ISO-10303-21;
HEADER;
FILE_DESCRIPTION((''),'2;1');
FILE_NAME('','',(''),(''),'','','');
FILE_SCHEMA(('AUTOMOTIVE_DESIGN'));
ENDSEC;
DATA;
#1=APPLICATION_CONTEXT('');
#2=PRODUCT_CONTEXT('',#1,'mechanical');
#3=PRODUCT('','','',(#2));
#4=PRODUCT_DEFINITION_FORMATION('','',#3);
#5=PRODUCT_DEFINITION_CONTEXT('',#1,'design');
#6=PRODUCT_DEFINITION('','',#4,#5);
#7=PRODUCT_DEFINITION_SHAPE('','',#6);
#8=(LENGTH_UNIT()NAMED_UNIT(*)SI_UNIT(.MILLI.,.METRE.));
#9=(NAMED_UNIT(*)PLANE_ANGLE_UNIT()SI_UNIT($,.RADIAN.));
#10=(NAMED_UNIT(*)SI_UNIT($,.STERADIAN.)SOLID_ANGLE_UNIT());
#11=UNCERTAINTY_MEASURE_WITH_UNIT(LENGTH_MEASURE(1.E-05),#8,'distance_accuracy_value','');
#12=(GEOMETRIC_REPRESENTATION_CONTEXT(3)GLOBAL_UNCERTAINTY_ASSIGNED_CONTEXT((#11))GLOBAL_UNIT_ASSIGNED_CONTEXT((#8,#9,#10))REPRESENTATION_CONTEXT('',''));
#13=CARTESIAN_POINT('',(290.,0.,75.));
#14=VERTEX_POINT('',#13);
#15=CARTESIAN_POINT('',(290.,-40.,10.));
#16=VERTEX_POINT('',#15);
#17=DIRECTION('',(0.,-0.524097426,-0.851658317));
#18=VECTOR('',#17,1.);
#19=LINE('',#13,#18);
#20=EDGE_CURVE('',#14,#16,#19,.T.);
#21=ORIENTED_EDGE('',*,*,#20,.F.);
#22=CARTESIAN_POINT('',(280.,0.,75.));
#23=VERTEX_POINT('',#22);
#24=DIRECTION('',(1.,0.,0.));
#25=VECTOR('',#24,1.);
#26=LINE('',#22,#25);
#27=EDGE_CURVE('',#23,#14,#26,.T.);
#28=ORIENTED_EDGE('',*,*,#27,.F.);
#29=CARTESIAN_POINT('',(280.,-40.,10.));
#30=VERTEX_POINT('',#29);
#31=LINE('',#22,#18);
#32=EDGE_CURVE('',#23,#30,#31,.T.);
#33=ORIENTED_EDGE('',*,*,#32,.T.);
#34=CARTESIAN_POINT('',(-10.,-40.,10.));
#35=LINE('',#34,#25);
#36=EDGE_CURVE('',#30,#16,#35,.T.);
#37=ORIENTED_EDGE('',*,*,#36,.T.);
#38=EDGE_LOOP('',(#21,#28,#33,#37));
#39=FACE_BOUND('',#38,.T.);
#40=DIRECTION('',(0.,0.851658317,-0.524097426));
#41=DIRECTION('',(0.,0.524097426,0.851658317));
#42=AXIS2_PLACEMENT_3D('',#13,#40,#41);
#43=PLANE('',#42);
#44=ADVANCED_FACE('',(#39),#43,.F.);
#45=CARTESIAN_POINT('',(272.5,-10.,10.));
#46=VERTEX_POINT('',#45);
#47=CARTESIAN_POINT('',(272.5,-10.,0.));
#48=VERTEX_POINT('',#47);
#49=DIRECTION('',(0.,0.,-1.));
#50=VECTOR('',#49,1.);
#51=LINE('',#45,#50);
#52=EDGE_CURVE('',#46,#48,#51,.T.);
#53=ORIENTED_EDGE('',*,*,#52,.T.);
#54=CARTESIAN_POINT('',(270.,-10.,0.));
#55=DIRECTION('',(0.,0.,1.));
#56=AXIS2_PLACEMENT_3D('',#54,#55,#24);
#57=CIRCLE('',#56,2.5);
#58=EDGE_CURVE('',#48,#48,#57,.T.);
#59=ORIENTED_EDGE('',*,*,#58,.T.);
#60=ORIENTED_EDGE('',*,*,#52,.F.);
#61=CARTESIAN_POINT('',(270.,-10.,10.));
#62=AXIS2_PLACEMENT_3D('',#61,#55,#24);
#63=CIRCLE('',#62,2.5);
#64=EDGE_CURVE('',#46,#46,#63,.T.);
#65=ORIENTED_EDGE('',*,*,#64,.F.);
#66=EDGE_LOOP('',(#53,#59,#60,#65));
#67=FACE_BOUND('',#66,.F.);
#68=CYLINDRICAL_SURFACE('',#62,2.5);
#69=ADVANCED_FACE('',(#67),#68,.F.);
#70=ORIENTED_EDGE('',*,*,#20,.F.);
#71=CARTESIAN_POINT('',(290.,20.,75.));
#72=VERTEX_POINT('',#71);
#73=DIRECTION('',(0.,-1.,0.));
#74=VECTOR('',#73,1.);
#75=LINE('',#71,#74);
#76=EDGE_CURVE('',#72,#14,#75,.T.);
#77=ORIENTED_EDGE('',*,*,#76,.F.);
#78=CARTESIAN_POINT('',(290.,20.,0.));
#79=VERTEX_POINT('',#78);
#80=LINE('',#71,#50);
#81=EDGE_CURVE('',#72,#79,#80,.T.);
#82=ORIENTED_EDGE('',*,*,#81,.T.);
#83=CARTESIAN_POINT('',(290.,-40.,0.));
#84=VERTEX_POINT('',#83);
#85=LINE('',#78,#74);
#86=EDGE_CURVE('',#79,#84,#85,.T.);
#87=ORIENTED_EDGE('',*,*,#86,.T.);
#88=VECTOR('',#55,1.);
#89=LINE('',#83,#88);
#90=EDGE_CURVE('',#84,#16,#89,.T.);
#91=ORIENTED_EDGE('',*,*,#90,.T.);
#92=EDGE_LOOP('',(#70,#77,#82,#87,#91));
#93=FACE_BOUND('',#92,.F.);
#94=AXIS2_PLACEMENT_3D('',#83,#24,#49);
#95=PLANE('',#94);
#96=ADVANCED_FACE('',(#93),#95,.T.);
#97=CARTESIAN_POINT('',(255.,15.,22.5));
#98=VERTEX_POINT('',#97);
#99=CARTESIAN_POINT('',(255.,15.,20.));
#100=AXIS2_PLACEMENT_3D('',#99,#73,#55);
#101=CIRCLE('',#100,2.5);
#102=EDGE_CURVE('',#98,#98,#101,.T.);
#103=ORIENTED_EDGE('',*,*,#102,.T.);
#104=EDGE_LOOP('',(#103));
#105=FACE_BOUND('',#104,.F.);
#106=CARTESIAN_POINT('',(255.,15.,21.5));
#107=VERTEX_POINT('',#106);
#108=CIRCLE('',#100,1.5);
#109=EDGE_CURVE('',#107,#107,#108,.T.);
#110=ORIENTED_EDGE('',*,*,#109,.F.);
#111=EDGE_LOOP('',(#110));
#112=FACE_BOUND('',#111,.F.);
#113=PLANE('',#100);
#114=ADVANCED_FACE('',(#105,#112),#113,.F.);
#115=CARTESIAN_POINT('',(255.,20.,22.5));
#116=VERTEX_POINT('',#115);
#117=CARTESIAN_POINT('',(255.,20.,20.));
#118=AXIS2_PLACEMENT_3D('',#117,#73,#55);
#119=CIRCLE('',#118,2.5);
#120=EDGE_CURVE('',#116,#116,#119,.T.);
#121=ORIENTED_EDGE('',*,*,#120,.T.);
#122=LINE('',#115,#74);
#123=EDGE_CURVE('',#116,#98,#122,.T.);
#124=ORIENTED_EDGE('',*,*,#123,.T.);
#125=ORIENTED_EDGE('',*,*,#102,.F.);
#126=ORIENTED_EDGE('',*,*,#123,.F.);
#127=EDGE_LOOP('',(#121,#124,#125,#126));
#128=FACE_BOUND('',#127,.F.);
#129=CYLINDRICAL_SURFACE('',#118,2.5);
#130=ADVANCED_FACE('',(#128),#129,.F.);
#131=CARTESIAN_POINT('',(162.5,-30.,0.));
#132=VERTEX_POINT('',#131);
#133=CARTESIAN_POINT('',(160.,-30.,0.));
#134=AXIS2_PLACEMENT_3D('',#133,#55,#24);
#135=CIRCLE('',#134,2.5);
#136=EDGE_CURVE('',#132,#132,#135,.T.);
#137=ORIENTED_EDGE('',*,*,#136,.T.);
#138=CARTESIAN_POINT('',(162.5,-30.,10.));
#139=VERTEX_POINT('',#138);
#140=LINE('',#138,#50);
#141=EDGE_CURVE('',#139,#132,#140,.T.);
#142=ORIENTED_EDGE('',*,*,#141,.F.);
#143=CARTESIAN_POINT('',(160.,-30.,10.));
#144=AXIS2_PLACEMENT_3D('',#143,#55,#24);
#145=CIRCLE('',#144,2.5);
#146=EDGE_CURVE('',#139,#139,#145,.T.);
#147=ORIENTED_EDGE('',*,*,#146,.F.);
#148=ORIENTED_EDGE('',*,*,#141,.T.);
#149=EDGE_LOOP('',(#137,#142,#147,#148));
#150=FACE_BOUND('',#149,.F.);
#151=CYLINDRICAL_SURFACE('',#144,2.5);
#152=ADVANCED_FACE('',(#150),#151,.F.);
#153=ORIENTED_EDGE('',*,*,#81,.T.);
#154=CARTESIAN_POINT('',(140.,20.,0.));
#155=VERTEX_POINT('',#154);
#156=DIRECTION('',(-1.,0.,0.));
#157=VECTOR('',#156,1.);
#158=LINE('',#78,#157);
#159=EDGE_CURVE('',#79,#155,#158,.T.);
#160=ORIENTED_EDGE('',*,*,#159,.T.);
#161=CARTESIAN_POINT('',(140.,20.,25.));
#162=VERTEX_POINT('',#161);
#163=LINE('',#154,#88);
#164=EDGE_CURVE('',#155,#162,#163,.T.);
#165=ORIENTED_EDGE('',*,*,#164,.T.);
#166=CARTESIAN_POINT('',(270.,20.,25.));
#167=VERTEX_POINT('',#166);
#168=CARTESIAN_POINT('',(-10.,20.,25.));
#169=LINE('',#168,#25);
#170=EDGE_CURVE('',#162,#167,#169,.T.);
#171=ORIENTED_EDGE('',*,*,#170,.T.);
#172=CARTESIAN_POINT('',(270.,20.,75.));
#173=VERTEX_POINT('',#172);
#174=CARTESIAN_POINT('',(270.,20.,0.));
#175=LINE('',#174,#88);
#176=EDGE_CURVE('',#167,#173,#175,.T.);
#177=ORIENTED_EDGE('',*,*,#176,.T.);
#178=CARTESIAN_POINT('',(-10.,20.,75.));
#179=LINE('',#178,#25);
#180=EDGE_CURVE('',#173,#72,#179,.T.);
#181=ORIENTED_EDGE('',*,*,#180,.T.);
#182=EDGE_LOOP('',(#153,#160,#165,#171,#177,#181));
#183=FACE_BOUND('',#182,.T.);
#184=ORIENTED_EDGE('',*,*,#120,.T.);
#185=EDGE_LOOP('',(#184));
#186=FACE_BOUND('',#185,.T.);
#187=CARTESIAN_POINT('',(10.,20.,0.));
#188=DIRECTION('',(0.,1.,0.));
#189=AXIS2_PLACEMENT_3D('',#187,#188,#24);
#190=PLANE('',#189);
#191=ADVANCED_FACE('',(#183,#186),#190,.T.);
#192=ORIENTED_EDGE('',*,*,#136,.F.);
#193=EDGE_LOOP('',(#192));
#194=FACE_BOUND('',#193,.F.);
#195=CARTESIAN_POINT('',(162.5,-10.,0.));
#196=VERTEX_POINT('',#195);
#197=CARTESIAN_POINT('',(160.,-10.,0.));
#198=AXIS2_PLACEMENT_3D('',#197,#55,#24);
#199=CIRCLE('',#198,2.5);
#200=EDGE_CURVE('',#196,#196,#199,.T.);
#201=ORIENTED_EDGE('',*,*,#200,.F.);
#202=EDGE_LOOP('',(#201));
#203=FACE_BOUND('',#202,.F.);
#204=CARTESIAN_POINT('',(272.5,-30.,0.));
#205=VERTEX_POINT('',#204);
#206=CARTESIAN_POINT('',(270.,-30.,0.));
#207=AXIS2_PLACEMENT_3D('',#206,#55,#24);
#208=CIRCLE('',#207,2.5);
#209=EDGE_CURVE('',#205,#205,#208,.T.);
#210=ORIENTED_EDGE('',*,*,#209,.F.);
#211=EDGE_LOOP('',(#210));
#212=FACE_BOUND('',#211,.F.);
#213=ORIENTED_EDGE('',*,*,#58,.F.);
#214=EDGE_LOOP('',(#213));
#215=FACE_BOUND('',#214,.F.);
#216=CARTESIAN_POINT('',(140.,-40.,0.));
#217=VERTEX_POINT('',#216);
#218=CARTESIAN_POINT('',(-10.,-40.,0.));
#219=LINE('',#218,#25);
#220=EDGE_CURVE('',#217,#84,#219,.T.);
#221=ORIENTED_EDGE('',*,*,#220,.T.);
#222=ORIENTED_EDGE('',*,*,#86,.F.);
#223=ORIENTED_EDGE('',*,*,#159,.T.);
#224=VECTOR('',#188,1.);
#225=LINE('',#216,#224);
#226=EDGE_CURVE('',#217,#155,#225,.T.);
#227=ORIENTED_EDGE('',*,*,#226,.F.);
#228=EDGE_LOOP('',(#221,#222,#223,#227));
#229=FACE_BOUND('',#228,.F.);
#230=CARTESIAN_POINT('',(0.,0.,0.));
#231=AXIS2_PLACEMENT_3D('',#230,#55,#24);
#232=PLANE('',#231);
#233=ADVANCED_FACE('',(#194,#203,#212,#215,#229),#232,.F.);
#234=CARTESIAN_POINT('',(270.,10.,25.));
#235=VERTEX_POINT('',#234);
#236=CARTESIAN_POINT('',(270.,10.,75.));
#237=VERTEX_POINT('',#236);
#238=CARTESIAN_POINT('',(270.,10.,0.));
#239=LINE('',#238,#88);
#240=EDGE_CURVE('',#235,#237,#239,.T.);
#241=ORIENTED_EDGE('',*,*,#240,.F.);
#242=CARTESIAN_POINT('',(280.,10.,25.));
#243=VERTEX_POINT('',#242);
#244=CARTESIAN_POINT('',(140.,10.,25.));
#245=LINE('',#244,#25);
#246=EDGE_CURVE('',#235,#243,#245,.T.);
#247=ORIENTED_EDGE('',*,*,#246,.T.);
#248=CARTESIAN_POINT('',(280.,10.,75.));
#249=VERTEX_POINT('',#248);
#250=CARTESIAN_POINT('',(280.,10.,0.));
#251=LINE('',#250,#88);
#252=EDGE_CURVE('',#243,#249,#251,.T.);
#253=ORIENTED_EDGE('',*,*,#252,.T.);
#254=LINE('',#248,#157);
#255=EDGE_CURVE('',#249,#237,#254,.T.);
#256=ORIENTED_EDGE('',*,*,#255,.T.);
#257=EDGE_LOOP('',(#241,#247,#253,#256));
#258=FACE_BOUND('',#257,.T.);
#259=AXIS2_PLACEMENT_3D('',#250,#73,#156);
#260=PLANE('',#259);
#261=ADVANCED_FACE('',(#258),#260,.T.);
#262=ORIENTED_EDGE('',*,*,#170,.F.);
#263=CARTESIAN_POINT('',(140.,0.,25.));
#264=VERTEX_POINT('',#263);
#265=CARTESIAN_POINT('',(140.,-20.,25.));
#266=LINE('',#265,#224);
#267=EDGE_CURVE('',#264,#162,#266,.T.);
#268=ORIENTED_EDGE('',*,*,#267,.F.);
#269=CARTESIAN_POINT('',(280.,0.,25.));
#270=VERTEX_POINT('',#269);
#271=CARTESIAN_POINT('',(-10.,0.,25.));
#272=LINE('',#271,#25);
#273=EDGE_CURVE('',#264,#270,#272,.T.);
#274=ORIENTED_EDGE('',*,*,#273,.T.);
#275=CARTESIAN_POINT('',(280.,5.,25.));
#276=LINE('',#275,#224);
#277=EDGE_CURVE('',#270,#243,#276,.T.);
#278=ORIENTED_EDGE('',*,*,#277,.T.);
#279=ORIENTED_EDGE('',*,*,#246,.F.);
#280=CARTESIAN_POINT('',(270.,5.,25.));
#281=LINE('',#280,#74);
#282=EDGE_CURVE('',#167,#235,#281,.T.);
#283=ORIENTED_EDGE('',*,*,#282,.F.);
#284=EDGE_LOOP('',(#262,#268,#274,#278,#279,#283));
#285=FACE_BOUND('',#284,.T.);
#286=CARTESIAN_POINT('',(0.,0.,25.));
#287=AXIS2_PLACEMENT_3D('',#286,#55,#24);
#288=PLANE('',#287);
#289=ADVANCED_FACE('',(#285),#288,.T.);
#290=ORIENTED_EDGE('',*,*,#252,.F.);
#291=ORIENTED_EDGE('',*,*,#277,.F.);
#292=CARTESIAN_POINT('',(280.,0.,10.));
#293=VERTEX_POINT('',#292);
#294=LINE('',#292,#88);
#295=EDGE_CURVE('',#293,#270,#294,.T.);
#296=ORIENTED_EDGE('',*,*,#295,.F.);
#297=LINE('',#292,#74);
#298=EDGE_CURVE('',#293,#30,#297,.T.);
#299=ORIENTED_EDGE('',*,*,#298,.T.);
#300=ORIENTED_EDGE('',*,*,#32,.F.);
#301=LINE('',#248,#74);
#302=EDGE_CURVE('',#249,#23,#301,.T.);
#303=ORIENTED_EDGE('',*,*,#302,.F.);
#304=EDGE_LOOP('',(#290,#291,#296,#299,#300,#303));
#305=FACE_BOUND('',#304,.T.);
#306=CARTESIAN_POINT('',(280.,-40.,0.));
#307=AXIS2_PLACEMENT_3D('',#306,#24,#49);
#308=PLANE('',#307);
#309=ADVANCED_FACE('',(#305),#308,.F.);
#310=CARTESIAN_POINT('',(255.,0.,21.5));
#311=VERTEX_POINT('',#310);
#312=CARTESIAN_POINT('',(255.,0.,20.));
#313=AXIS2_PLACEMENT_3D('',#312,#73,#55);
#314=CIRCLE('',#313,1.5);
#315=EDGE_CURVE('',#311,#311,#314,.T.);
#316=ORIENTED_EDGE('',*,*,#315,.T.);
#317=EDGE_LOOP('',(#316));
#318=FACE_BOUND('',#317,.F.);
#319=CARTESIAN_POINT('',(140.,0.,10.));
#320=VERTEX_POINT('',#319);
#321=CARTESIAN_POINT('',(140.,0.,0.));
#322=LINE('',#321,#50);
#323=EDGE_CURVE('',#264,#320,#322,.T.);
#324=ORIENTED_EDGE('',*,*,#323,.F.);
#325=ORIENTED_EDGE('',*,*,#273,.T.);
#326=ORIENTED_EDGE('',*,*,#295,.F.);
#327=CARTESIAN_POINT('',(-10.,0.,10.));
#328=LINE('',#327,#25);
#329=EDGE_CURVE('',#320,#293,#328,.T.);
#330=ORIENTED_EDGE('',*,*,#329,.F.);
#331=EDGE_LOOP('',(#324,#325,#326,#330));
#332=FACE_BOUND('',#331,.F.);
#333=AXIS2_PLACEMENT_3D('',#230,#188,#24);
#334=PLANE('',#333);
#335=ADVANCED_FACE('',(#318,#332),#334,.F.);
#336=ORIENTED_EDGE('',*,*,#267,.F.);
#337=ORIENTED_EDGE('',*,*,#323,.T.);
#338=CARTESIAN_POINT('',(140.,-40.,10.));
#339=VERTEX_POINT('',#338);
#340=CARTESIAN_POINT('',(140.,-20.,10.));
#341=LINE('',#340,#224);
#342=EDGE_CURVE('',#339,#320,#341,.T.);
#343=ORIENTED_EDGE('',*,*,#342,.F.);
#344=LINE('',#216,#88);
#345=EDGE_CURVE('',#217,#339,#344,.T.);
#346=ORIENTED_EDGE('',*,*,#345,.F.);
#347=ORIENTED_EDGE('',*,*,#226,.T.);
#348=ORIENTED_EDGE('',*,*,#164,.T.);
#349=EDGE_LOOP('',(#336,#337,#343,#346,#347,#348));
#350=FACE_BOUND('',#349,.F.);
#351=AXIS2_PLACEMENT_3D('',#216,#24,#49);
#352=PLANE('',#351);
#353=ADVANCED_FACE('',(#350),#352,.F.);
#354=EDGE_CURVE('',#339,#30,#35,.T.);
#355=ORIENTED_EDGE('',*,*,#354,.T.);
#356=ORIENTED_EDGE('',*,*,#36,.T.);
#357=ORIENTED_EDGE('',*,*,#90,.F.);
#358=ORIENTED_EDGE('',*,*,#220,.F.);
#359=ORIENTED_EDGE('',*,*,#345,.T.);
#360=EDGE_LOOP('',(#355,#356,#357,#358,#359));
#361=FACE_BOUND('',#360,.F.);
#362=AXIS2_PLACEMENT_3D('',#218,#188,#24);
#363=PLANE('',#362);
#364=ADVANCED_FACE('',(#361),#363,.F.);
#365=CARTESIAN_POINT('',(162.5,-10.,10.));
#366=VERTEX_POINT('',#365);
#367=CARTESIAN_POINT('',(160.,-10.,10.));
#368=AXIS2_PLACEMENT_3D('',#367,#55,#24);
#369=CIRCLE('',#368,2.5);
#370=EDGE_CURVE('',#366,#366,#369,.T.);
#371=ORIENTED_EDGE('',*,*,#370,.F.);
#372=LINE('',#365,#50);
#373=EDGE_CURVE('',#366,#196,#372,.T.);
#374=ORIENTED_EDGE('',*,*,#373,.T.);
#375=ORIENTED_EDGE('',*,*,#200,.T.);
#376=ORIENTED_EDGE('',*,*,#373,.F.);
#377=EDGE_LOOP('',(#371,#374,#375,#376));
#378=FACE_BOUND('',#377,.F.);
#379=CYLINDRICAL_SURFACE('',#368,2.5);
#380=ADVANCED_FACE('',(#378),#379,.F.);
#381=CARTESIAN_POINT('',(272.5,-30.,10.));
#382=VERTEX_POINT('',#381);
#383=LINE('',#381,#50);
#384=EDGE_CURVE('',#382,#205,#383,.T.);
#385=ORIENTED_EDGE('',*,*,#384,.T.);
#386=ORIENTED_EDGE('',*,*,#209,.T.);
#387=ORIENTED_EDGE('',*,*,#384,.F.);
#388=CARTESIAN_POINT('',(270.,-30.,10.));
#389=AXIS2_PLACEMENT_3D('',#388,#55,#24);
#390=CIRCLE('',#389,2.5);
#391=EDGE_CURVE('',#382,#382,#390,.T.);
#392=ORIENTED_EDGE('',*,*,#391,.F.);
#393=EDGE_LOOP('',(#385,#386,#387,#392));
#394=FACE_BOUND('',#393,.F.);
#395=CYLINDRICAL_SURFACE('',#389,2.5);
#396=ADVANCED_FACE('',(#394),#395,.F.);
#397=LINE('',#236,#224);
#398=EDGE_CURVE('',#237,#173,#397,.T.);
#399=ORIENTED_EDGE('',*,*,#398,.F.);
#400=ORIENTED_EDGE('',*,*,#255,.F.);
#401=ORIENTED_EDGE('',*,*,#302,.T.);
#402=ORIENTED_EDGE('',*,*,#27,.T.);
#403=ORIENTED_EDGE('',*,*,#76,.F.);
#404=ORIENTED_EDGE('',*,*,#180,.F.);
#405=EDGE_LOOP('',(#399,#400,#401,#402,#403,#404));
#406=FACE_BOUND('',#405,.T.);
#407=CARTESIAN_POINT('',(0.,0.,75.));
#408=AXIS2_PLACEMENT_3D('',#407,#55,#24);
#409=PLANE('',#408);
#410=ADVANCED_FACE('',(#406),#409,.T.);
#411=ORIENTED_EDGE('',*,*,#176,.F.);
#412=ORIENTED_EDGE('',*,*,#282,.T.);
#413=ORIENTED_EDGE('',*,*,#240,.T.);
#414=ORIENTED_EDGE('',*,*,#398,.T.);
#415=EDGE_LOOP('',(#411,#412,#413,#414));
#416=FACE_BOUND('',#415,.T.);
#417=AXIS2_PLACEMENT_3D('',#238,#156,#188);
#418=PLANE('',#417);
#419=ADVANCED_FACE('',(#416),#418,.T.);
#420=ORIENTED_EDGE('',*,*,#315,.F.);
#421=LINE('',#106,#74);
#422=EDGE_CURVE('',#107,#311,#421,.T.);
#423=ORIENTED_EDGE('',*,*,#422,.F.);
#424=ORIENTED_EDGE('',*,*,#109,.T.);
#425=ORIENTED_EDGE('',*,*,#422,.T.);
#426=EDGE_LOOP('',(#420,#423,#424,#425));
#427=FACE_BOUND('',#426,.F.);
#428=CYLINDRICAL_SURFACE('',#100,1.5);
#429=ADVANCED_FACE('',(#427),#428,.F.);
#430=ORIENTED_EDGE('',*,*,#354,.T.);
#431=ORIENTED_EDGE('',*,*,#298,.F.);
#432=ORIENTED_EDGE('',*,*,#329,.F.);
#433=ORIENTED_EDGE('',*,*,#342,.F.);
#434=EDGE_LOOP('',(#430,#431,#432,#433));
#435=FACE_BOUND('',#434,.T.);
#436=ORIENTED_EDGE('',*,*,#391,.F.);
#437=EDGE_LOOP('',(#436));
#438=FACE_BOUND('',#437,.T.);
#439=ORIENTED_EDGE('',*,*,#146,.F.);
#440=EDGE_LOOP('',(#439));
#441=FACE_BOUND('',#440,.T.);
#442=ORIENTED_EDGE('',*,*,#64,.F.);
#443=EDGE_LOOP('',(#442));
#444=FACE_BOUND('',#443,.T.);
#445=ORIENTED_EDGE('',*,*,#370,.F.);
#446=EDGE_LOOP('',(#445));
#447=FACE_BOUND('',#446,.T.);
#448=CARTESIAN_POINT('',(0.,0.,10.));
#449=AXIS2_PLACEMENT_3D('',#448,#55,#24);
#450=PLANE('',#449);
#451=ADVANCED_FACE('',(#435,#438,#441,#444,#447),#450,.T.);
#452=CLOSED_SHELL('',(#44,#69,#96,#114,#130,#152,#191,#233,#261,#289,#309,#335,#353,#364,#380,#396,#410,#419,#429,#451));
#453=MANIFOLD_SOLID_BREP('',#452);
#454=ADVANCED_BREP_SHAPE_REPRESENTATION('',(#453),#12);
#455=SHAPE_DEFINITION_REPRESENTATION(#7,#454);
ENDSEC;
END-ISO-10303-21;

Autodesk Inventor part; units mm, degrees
ref_plane "YZ Plane" through (0, 0, 0) normal (1, 0, 0) x (0, 1, 0)
sketch "스케치1" plane through (0, 0, 0) normal (0, 0, 1) x (1, 0, 0)
  line L0 (0, 10) -> (0, 0)
  line L1 (-10, 10) -> (-10, 20)
  line L2 (-10, 20) -> (290, 20)
  line L3 (290, 20) -> (290, 10)
  line L4 (0, 0) -> (280, 0)
  line L5 (290, 10) -> (290, -40)
  line L6 (-10, 10) -> (-10, -40)
  line L7 (-10, -40) -> (290, -40)
  line L8 (0, 10) -> (10, 10)
  line L9 (10, 10) -> (10, 20)
  line L10 (140, 20) -> (140, 10)
  line L11 (0, 0) -> (-10, 0)
  line L12 (280, 10) -> (280, 0)
  line L13 (280, 10) -> (270, 10)
  line L14 (270, 10) -> (270, 20)
  line L15 (280, 0) -> (290, 0)
  point P0 (140, 0)
  dimension "d2" = 10
  dimension "d5" = 10
  dimension "d6" = 300
  dimension "d9" = 60
  dimension "d12" = 10
  dimension "d13" = 10
extrude "돌출1" add sketch "스케치1" along normal blind 25 contours L8 L9 L2 L14 L13 L12 L4 L0 | L0 L11 L6 L1 L2 L9 L8 | L12 L13 L14 L2 L3 L5 L15
extrude "돌출2" add sketch "스케치1" along normal blind 10 contours L8 L9 L2 L14 L13 L12 L4 L0 | L4 L15 L5 L7 L6 L11
extrude "돌출3" add sketch "스케치1" along normal blind 75 contours L0 L11 L6 L1 L2 L9 L8 | L12 L13 L14 L2 L3 L5 L15
sketch "스케치2" plane through (-10, -40, 0) normal (-1, 0, 0) x (0, 0, 1)
  line L0 (0, 60) -> (0, 0) projected
  line L1 (0, 0) -> (10, 0) projected
  line L2 (10, 40) -> (10, 0) projected
  line L3 (10, 40) -> (75, 40) projected
  line L4 (75, 60) -> (75, 40) projected
  line L5 (0, 60) -> (75, 60) projected
  line L6 (75, 40) -> (10, 0)
  point P0 (0, 40)
extrude "돌출4" add sketch "스케치2" against normal up to surface (10 mm away) contours L2 L3 L6
ref_plane "작업 평면1" through (140, -40, 0) normal (1, 0, 0) x (0, 0, -1)
mirror "미러1" about plane through (140, -40, 0) normal (1, 0, 0) of "돌출4"
sketch "스케치3" plane through (0, 0, 10) normal (0, 0, 1) x (1, 0, 0)
  circle A0 centre (160, -10) radius 2.5
  circle A1 centre (270, -10) radius 2.5
  line L0 (270, 20) -> (10, 20) projected
  line L1 (290, -40) -> (290, 0) projected
  line L2 (-10, -40) -> (-10, 0) projected
  circle A2 centre (160, -30) radius 2.5
  circle A3 centre (270, -30) radius 2.5
  line L3 (140, 20) -> (140, -10)
  point P0 (0, 0)
  dimension "d18" = 30
  dimension "d19" = 5
  dimension "d20" = 20
  dimension "d24" = 5
  dimension "d25" = 20
  dimension "d38" = 20
extrude "돌출5" cut sketch "스케치3" against normal through all
sketch "스케치4" plane through (-10, 20, 0) normal (0, 1, 0) x (1, 0, 0)
  line L0 (280, -25) -> (280, -75) projected
  line L1 (20, -25) -> (20, -75) projected
  line L2 (280, -25) -> (20, -25) projected
  point P0 (10, 0)
  point P1 (35, -20)
  point P2 (265, -20)
  dimension "d26" = 15
  dimension "d27" = 15
  dimension "d28" = 5
hole "구멍1" at (25, 20, 20) at (255, 20, 20) direction (0, -1, 0) diameter 3 end through all counterbore diameter 5 counterbore depth 5
ref_plane "작업 평면2" through (140, -40, 0) normal (1, 0, 0) x (0, 0, -1)
sketch "스케치5" plane through (140, -40, 0) normal (1, 0, 0) x (0, 0, -1)
  line L0 (0, 0) -> (-10, 0) projected
  line L1 (0, 0) -> (0, 60) projected
  line L2 (0, 60) -> (-75, 60) projected
  line L3 (-75, 40) -> (-75, 60) projected
  line L4 (-10, 0) -> (-75, 40) projected
  point P0 (0, 40)
extrude "돌출6" cut sketch "스케치5" against normal through all
properties part number "ModuleConnectorRight"
